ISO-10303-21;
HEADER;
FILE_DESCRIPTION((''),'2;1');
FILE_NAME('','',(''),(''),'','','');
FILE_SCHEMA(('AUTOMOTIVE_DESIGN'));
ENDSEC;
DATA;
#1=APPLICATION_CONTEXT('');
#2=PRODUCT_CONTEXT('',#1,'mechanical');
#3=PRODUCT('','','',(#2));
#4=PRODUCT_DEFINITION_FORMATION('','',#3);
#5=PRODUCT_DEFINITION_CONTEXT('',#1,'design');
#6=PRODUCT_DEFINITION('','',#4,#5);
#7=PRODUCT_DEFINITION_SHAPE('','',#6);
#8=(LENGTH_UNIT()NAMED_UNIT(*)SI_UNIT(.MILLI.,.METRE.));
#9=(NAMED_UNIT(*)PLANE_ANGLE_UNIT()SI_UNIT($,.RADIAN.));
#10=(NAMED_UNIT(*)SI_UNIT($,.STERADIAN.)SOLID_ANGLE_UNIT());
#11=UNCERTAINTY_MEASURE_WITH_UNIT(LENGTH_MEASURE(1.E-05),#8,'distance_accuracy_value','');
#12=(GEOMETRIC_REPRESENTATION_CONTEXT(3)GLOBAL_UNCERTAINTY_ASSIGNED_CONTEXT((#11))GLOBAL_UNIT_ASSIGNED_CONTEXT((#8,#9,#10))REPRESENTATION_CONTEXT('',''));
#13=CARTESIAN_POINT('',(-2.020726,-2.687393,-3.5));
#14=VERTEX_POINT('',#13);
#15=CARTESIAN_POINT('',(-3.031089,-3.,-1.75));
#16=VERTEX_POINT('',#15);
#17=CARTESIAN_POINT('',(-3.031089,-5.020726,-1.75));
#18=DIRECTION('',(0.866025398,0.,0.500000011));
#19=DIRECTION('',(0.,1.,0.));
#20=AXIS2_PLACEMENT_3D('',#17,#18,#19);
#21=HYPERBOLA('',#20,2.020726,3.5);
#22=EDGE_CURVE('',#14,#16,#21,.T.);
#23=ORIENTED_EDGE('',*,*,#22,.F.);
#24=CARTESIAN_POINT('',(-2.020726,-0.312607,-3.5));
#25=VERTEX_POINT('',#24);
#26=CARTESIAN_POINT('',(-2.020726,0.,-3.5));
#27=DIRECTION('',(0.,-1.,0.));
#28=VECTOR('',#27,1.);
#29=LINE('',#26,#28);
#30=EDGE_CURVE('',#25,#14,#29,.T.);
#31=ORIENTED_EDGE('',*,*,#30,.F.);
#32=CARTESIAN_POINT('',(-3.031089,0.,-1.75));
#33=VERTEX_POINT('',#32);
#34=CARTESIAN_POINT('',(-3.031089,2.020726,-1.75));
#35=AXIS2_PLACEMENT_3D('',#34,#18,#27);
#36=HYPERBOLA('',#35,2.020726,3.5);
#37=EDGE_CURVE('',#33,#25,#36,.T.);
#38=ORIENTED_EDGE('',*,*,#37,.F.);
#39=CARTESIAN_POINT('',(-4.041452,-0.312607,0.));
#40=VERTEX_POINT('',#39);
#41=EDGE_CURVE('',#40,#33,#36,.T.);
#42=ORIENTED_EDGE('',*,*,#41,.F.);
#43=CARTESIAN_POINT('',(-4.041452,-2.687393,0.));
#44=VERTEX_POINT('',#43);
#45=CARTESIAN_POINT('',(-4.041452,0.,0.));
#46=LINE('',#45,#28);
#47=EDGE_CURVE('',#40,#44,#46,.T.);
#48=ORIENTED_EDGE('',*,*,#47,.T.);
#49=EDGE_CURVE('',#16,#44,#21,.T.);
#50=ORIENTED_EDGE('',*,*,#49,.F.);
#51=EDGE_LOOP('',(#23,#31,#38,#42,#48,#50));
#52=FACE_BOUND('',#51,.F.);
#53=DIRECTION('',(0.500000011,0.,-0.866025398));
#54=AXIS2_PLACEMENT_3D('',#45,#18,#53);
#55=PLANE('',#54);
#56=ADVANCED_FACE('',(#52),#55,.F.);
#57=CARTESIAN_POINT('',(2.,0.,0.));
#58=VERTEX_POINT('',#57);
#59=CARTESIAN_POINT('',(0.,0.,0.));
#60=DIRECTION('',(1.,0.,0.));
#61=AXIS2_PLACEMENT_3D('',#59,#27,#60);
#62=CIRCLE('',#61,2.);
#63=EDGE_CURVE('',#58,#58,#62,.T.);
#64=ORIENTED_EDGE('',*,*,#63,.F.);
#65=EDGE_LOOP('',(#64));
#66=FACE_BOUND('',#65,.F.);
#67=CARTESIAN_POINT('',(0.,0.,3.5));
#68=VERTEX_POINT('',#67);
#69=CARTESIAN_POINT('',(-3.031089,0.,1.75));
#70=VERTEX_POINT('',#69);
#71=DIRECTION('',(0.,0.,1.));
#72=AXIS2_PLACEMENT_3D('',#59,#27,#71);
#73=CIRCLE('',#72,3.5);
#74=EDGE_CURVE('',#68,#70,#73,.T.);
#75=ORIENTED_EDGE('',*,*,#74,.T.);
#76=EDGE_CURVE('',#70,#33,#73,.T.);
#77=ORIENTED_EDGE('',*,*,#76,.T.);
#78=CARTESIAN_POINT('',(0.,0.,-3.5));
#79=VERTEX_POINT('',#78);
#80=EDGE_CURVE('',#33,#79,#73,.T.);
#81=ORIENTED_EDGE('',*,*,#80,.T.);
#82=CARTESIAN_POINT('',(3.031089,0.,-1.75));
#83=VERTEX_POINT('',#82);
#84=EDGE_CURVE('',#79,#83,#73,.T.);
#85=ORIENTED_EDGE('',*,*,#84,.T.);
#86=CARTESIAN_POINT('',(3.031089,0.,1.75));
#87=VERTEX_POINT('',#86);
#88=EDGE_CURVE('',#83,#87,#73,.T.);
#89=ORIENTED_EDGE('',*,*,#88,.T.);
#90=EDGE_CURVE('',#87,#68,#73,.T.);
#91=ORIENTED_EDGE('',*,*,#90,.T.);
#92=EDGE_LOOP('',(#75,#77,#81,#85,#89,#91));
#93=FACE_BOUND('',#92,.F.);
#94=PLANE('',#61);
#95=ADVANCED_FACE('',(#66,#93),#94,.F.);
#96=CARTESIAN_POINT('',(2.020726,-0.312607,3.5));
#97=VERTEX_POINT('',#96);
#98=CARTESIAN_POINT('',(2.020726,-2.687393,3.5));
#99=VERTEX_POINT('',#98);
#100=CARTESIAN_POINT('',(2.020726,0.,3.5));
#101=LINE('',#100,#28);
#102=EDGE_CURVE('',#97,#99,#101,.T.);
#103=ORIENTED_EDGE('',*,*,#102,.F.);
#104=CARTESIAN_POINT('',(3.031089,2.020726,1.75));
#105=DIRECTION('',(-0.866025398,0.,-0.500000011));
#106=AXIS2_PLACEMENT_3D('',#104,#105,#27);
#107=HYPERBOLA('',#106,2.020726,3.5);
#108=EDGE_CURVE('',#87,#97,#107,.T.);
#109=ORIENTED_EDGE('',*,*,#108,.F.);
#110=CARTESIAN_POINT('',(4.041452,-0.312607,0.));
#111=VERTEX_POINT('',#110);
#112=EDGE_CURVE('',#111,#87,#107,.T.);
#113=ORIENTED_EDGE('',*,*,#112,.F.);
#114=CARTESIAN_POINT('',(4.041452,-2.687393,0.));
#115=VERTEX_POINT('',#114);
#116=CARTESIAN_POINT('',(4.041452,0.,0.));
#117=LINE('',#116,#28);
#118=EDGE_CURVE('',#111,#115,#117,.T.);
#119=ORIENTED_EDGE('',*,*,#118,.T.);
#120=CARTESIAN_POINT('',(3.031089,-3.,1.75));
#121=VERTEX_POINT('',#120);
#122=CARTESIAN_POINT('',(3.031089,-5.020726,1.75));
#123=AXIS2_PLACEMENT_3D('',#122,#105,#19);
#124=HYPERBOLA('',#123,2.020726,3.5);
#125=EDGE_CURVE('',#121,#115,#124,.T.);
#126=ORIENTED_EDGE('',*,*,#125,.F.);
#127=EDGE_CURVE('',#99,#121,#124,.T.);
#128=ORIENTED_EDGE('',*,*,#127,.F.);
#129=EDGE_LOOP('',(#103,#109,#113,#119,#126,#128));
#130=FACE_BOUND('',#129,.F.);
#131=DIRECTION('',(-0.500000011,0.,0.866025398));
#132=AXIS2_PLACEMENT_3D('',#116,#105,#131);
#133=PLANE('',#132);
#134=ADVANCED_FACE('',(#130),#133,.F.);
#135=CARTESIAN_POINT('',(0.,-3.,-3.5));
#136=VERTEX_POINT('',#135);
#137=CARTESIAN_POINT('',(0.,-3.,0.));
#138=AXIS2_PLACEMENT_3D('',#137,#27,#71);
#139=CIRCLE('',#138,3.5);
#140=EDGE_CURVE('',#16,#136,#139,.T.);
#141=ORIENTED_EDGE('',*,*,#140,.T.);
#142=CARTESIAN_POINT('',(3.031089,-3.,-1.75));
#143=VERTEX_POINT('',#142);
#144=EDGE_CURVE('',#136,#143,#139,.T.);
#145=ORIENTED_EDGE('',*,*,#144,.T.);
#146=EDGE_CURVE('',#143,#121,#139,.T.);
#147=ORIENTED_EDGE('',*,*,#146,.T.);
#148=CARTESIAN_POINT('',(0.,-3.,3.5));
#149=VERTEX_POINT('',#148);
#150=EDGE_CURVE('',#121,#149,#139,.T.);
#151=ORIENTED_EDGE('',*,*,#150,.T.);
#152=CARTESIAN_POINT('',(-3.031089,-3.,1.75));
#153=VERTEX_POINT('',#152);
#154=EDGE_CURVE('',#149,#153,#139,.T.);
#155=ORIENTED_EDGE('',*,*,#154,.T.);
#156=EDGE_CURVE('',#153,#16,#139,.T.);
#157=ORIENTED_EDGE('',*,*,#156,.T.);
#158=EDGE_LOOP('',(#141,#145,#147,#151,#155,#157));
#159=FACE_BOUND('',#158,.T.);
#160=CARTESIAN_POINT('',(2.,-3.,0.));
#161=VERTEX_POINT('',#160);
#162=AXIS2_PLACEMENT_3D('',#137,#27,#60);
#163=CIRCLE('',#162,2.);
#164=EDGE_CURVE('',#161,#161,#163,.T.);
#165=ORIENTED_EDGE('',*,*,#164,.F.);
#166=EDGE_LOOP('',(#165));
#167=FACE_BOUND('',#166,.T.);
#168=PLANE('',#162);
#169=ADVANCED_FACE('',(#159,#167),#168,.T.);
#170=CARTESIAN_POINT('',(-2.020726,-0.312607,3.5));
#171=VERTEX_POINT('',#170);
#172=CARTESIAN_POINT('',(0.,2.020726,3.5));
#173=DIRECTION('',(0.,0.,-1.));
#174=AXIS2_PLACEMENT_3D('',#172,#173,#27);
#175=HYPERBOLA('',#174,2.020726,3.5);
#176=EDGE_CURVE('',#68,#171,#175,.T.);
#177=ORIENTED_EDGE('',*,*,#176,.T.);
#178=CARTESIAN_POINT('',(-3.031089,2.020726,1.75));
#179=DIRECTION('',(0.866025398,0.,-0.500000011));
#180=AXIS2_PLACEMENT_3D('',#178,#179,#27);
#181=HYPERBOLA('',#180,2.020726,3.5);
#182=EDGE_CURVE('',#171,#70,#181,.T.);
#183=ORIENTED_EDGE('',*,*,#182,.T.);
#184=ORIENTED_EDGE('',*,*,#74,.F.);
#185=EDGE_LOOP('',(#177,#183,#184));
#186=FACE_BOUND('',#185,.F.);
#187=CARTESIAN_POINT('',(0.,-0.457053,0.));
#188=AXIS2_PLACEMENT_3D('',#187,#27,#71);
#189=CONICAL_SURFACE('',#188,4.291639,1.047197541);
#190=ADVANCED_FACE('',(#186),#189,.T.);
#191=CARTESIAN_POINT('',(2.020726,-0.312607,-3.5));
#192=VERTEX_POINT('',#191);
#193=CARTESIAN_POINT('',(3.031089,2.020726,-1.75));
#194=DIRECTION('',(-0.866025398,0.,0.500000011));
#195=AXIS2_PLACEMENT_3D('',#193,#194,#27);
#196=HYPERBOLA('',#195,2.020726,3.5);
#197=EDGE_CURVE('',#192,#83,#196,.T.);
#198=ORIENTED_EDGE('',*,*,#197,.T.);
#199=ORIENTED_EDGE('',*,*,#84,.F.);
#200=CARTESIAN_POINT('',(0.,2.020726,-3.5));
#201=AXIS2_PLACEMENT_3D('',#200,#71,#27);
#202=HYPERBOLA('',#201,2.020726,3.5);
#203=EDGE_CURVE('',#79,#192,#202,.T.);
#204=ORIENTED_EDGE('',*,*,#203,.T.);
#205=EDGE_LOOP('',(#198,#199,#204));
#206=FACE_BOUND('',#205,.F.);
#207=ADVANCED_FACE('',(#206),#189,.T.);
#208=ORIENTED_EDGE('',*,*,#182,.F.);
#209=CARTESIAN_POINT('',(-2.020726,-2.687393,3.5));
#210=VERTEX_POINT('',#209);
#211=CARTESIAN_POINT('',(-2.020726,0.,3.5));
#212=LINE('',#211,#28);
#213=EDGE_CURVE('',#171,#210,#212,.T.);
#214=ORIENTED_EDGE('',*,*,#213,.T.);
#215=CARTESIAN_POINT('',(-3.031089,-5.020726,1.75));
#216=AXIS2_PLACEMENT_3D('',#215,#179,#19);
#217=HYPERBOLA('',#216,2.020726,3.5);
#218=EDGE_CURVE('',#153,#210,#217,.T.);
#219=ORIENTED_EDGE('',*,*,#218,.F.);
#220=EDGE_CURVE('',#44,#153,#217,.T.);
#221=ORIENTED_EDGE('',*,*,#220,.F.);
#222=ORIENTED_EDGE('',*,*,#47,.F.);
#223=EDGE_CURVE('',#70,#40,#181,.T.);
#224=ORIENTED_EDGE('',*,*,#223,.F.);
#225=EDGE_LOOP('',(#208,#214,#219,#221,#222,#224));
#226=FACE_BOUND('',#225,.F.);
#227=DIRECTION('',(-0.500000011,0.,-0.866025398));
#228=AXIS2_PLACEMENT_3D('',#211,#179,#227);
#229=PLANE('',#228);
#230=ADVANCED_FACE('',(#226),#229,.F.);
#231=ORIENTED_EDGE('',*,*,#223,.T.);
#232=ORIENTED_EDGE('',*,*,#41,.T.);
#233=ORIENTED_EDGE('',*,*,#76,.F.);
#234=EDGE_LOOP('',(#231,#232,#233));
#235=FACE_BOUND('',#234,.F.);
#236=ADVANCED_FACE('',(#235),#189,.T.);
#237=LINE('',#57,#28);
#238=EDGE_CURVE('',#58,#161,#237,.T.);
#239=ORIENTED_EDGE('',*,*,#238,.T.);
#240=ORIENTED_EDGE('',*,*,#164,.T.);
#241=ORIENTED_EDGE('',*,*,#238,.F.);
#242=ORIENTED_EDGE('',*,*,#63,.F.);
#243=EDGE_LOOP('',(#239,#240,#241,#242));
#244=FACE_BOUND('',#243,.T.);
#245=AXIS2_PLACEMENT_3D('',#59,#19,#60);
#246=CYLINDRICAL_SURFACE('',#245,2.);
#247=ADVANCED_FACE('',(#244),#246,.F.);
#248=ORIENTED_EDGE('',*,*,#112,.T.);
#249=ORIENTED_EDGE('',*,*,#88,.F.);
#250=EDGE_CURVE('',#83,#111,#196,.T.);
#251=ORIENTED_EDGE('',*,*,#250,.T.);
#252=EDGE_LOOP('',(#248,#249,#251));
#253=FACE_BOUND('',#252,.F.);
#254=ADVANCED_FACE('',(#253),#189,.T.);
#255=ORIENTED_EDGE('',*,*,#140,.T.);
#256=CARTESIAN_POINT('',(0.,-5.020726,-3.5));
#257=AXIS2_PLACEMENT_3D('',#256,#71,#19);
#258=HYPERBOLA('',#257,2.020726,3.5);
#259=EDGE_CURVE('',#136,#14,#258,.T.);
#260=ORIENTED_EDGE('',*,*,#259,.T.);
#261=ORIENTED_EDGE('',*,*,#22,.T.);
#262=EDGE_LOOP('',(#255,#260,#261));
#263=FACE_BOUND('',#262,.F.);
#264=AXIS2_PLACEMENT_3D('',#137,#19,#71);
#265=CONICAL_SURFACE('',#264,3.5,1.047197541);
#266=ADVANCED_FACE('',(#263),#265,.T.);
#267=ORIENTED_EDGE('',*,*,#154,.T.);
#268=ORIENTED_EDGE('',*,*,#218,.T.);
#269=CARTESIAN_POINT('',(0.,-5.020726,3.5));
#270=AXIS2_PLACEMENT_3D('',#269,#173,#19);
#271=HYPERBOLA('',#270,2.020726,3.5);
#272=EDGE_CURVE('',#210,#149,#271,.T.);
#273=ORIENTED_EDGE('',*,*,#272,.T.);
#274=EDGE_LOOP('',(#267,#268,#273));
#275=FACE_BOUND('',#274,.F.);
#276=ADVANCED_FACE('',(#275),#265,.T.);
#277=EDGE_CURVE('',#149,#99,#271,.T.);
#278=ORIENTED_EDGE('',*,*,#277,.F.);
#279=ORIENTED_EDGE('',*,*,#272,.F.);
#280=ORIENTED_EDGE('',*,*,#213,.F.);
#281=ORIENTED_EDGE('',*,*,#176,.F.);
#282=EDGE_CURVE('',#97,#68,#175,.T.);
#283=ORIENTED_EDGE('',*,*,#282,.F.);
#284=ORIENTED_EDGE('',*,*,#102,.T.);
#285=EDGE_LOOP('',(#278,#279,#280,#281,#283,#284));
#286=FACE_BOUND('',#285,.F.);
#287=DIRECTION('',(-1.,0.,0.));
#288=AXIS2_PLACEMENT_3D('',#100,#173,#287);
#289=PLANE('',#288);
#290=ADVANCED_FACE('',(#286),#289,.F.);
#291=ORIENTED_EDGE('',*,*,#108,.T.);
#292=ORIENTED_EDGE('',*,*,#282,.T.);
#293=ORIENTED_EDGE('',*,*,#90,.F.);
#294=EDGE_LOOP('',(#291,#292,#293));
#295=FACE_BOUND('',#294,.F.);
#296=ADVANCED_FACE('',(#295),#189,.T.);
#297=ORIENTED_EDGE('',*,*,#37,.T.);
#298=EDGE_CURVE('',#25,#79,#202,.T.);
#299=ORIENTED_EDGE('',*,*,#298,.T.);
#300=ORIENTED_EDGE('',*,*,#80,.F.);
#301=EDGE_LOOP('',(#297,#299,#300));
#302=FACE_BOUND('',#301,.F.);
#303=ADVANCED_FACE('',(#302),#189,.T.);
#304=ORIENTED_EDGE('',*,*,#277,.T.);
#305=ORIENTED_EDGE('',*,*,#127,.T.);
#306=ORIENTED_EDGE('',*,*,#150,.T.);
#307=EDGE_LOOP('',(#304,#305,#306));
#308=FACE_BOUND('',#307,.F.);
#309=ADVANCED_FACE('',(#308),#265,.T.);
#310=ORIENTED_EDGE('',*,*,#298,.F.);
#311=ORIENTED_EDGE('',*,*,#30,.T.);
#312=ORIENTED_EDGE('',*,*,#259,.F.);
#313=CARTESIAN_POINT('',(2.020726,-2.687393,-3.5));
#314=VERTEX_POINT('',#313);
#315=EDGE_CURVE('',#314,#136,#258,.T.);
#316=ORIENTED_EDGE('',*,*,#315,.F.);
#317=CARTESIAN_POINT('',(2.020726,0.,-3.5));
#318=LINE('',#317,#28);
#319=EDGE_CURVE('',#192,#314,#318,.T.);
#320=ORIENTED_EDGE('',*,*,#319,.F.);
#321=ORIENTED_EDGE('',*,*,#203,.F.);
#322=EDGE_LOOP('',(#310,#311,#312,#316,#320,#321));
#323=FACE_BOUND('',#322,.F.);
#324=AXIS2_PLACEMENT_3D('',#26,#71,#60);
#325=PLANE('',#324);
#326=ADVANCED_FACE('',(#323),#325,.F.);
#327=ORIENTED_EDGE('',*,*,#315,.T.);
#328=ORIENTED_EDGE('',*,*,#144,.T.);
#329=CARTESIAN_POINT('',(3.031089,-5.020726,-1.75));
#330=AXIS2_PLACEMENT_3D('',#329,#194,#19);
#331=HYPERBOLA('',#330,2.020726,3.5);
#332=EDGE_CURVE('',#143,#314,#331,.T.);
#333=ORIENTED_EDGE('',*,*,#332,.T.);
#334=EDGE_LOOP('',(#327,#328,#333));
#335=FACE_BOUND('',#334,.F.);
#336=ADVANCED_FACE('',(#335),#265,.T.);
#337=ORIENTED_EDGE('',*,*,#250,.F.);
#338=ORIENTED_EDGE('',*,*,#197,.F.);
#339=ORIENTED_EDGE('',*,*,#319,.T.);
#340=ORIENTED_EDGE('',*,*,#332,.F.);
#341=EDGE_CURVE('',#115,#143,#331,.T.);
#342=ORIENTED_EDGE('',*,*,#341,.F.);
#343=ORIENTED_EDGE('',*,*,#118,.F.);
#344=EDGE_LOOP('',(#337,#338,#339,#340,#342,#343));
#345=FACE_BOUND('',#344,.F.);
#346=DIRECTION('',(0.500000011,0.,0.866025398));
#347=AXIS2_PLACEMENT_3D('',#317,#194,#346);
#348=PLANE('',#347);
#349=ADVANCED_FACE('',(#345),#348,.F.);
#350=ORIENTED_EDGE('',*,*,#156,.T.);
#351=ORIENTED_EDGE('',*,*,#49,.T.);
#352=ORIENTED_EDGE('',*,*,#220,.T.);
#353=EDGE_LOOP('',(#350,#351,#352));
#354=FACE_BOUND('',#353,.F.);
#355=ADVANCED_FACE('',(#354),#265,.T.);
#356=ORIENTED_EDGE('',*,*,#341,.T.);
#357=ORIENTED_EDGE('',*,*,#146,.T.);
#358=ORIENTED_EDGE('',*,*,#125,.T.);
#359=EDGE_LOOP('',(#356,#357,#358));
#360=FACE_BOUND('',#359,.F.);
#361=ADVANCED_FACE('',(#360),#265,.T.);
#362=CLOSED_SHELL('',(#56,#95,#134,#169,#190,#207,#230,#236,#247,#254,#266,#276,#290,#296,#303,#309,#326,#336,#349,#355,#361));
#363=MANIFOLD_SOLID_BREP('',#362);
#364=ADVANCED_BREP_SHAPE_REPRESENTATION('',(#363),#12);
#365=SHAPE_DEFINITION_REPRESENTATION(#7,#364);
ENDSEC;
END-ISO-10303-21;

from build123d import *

# Parameters (mm, degrees)
F0_R     = 2
F1_DEPTH = 3


with BuildPart() as f1:
    # F0 (on Front) → F1 (new body)
    with BuildSketch(Plane.XZ):
        Polygon((2.020726, 3.5), (-2.020726, 3.5), (-4.041452, 0), (-2.020726, -3.5), (2.020726, -3.5), (4.041452, 0), align=None)
        Circle(F0_R, mode=Mode.SUBTRACT)
    extrude(amount=F1_DEPTH)

    # F2 (on Right) → F3 (revolve, cut)
    with BuildSketch(Plane.YZ):
        Polygon((0, 4.291639), (-0.457053, 4.291639), (0, 3.5), align=None)
        Polygon((-2.542947, 4.291639), (-3, 4.291639), (-3, 3.5), align=None)
    revolve(axis=Axis((0, -2.512997, 0), (0, -1, 0)), mode=Mode.SUBTRACT)


solid = f1.part
